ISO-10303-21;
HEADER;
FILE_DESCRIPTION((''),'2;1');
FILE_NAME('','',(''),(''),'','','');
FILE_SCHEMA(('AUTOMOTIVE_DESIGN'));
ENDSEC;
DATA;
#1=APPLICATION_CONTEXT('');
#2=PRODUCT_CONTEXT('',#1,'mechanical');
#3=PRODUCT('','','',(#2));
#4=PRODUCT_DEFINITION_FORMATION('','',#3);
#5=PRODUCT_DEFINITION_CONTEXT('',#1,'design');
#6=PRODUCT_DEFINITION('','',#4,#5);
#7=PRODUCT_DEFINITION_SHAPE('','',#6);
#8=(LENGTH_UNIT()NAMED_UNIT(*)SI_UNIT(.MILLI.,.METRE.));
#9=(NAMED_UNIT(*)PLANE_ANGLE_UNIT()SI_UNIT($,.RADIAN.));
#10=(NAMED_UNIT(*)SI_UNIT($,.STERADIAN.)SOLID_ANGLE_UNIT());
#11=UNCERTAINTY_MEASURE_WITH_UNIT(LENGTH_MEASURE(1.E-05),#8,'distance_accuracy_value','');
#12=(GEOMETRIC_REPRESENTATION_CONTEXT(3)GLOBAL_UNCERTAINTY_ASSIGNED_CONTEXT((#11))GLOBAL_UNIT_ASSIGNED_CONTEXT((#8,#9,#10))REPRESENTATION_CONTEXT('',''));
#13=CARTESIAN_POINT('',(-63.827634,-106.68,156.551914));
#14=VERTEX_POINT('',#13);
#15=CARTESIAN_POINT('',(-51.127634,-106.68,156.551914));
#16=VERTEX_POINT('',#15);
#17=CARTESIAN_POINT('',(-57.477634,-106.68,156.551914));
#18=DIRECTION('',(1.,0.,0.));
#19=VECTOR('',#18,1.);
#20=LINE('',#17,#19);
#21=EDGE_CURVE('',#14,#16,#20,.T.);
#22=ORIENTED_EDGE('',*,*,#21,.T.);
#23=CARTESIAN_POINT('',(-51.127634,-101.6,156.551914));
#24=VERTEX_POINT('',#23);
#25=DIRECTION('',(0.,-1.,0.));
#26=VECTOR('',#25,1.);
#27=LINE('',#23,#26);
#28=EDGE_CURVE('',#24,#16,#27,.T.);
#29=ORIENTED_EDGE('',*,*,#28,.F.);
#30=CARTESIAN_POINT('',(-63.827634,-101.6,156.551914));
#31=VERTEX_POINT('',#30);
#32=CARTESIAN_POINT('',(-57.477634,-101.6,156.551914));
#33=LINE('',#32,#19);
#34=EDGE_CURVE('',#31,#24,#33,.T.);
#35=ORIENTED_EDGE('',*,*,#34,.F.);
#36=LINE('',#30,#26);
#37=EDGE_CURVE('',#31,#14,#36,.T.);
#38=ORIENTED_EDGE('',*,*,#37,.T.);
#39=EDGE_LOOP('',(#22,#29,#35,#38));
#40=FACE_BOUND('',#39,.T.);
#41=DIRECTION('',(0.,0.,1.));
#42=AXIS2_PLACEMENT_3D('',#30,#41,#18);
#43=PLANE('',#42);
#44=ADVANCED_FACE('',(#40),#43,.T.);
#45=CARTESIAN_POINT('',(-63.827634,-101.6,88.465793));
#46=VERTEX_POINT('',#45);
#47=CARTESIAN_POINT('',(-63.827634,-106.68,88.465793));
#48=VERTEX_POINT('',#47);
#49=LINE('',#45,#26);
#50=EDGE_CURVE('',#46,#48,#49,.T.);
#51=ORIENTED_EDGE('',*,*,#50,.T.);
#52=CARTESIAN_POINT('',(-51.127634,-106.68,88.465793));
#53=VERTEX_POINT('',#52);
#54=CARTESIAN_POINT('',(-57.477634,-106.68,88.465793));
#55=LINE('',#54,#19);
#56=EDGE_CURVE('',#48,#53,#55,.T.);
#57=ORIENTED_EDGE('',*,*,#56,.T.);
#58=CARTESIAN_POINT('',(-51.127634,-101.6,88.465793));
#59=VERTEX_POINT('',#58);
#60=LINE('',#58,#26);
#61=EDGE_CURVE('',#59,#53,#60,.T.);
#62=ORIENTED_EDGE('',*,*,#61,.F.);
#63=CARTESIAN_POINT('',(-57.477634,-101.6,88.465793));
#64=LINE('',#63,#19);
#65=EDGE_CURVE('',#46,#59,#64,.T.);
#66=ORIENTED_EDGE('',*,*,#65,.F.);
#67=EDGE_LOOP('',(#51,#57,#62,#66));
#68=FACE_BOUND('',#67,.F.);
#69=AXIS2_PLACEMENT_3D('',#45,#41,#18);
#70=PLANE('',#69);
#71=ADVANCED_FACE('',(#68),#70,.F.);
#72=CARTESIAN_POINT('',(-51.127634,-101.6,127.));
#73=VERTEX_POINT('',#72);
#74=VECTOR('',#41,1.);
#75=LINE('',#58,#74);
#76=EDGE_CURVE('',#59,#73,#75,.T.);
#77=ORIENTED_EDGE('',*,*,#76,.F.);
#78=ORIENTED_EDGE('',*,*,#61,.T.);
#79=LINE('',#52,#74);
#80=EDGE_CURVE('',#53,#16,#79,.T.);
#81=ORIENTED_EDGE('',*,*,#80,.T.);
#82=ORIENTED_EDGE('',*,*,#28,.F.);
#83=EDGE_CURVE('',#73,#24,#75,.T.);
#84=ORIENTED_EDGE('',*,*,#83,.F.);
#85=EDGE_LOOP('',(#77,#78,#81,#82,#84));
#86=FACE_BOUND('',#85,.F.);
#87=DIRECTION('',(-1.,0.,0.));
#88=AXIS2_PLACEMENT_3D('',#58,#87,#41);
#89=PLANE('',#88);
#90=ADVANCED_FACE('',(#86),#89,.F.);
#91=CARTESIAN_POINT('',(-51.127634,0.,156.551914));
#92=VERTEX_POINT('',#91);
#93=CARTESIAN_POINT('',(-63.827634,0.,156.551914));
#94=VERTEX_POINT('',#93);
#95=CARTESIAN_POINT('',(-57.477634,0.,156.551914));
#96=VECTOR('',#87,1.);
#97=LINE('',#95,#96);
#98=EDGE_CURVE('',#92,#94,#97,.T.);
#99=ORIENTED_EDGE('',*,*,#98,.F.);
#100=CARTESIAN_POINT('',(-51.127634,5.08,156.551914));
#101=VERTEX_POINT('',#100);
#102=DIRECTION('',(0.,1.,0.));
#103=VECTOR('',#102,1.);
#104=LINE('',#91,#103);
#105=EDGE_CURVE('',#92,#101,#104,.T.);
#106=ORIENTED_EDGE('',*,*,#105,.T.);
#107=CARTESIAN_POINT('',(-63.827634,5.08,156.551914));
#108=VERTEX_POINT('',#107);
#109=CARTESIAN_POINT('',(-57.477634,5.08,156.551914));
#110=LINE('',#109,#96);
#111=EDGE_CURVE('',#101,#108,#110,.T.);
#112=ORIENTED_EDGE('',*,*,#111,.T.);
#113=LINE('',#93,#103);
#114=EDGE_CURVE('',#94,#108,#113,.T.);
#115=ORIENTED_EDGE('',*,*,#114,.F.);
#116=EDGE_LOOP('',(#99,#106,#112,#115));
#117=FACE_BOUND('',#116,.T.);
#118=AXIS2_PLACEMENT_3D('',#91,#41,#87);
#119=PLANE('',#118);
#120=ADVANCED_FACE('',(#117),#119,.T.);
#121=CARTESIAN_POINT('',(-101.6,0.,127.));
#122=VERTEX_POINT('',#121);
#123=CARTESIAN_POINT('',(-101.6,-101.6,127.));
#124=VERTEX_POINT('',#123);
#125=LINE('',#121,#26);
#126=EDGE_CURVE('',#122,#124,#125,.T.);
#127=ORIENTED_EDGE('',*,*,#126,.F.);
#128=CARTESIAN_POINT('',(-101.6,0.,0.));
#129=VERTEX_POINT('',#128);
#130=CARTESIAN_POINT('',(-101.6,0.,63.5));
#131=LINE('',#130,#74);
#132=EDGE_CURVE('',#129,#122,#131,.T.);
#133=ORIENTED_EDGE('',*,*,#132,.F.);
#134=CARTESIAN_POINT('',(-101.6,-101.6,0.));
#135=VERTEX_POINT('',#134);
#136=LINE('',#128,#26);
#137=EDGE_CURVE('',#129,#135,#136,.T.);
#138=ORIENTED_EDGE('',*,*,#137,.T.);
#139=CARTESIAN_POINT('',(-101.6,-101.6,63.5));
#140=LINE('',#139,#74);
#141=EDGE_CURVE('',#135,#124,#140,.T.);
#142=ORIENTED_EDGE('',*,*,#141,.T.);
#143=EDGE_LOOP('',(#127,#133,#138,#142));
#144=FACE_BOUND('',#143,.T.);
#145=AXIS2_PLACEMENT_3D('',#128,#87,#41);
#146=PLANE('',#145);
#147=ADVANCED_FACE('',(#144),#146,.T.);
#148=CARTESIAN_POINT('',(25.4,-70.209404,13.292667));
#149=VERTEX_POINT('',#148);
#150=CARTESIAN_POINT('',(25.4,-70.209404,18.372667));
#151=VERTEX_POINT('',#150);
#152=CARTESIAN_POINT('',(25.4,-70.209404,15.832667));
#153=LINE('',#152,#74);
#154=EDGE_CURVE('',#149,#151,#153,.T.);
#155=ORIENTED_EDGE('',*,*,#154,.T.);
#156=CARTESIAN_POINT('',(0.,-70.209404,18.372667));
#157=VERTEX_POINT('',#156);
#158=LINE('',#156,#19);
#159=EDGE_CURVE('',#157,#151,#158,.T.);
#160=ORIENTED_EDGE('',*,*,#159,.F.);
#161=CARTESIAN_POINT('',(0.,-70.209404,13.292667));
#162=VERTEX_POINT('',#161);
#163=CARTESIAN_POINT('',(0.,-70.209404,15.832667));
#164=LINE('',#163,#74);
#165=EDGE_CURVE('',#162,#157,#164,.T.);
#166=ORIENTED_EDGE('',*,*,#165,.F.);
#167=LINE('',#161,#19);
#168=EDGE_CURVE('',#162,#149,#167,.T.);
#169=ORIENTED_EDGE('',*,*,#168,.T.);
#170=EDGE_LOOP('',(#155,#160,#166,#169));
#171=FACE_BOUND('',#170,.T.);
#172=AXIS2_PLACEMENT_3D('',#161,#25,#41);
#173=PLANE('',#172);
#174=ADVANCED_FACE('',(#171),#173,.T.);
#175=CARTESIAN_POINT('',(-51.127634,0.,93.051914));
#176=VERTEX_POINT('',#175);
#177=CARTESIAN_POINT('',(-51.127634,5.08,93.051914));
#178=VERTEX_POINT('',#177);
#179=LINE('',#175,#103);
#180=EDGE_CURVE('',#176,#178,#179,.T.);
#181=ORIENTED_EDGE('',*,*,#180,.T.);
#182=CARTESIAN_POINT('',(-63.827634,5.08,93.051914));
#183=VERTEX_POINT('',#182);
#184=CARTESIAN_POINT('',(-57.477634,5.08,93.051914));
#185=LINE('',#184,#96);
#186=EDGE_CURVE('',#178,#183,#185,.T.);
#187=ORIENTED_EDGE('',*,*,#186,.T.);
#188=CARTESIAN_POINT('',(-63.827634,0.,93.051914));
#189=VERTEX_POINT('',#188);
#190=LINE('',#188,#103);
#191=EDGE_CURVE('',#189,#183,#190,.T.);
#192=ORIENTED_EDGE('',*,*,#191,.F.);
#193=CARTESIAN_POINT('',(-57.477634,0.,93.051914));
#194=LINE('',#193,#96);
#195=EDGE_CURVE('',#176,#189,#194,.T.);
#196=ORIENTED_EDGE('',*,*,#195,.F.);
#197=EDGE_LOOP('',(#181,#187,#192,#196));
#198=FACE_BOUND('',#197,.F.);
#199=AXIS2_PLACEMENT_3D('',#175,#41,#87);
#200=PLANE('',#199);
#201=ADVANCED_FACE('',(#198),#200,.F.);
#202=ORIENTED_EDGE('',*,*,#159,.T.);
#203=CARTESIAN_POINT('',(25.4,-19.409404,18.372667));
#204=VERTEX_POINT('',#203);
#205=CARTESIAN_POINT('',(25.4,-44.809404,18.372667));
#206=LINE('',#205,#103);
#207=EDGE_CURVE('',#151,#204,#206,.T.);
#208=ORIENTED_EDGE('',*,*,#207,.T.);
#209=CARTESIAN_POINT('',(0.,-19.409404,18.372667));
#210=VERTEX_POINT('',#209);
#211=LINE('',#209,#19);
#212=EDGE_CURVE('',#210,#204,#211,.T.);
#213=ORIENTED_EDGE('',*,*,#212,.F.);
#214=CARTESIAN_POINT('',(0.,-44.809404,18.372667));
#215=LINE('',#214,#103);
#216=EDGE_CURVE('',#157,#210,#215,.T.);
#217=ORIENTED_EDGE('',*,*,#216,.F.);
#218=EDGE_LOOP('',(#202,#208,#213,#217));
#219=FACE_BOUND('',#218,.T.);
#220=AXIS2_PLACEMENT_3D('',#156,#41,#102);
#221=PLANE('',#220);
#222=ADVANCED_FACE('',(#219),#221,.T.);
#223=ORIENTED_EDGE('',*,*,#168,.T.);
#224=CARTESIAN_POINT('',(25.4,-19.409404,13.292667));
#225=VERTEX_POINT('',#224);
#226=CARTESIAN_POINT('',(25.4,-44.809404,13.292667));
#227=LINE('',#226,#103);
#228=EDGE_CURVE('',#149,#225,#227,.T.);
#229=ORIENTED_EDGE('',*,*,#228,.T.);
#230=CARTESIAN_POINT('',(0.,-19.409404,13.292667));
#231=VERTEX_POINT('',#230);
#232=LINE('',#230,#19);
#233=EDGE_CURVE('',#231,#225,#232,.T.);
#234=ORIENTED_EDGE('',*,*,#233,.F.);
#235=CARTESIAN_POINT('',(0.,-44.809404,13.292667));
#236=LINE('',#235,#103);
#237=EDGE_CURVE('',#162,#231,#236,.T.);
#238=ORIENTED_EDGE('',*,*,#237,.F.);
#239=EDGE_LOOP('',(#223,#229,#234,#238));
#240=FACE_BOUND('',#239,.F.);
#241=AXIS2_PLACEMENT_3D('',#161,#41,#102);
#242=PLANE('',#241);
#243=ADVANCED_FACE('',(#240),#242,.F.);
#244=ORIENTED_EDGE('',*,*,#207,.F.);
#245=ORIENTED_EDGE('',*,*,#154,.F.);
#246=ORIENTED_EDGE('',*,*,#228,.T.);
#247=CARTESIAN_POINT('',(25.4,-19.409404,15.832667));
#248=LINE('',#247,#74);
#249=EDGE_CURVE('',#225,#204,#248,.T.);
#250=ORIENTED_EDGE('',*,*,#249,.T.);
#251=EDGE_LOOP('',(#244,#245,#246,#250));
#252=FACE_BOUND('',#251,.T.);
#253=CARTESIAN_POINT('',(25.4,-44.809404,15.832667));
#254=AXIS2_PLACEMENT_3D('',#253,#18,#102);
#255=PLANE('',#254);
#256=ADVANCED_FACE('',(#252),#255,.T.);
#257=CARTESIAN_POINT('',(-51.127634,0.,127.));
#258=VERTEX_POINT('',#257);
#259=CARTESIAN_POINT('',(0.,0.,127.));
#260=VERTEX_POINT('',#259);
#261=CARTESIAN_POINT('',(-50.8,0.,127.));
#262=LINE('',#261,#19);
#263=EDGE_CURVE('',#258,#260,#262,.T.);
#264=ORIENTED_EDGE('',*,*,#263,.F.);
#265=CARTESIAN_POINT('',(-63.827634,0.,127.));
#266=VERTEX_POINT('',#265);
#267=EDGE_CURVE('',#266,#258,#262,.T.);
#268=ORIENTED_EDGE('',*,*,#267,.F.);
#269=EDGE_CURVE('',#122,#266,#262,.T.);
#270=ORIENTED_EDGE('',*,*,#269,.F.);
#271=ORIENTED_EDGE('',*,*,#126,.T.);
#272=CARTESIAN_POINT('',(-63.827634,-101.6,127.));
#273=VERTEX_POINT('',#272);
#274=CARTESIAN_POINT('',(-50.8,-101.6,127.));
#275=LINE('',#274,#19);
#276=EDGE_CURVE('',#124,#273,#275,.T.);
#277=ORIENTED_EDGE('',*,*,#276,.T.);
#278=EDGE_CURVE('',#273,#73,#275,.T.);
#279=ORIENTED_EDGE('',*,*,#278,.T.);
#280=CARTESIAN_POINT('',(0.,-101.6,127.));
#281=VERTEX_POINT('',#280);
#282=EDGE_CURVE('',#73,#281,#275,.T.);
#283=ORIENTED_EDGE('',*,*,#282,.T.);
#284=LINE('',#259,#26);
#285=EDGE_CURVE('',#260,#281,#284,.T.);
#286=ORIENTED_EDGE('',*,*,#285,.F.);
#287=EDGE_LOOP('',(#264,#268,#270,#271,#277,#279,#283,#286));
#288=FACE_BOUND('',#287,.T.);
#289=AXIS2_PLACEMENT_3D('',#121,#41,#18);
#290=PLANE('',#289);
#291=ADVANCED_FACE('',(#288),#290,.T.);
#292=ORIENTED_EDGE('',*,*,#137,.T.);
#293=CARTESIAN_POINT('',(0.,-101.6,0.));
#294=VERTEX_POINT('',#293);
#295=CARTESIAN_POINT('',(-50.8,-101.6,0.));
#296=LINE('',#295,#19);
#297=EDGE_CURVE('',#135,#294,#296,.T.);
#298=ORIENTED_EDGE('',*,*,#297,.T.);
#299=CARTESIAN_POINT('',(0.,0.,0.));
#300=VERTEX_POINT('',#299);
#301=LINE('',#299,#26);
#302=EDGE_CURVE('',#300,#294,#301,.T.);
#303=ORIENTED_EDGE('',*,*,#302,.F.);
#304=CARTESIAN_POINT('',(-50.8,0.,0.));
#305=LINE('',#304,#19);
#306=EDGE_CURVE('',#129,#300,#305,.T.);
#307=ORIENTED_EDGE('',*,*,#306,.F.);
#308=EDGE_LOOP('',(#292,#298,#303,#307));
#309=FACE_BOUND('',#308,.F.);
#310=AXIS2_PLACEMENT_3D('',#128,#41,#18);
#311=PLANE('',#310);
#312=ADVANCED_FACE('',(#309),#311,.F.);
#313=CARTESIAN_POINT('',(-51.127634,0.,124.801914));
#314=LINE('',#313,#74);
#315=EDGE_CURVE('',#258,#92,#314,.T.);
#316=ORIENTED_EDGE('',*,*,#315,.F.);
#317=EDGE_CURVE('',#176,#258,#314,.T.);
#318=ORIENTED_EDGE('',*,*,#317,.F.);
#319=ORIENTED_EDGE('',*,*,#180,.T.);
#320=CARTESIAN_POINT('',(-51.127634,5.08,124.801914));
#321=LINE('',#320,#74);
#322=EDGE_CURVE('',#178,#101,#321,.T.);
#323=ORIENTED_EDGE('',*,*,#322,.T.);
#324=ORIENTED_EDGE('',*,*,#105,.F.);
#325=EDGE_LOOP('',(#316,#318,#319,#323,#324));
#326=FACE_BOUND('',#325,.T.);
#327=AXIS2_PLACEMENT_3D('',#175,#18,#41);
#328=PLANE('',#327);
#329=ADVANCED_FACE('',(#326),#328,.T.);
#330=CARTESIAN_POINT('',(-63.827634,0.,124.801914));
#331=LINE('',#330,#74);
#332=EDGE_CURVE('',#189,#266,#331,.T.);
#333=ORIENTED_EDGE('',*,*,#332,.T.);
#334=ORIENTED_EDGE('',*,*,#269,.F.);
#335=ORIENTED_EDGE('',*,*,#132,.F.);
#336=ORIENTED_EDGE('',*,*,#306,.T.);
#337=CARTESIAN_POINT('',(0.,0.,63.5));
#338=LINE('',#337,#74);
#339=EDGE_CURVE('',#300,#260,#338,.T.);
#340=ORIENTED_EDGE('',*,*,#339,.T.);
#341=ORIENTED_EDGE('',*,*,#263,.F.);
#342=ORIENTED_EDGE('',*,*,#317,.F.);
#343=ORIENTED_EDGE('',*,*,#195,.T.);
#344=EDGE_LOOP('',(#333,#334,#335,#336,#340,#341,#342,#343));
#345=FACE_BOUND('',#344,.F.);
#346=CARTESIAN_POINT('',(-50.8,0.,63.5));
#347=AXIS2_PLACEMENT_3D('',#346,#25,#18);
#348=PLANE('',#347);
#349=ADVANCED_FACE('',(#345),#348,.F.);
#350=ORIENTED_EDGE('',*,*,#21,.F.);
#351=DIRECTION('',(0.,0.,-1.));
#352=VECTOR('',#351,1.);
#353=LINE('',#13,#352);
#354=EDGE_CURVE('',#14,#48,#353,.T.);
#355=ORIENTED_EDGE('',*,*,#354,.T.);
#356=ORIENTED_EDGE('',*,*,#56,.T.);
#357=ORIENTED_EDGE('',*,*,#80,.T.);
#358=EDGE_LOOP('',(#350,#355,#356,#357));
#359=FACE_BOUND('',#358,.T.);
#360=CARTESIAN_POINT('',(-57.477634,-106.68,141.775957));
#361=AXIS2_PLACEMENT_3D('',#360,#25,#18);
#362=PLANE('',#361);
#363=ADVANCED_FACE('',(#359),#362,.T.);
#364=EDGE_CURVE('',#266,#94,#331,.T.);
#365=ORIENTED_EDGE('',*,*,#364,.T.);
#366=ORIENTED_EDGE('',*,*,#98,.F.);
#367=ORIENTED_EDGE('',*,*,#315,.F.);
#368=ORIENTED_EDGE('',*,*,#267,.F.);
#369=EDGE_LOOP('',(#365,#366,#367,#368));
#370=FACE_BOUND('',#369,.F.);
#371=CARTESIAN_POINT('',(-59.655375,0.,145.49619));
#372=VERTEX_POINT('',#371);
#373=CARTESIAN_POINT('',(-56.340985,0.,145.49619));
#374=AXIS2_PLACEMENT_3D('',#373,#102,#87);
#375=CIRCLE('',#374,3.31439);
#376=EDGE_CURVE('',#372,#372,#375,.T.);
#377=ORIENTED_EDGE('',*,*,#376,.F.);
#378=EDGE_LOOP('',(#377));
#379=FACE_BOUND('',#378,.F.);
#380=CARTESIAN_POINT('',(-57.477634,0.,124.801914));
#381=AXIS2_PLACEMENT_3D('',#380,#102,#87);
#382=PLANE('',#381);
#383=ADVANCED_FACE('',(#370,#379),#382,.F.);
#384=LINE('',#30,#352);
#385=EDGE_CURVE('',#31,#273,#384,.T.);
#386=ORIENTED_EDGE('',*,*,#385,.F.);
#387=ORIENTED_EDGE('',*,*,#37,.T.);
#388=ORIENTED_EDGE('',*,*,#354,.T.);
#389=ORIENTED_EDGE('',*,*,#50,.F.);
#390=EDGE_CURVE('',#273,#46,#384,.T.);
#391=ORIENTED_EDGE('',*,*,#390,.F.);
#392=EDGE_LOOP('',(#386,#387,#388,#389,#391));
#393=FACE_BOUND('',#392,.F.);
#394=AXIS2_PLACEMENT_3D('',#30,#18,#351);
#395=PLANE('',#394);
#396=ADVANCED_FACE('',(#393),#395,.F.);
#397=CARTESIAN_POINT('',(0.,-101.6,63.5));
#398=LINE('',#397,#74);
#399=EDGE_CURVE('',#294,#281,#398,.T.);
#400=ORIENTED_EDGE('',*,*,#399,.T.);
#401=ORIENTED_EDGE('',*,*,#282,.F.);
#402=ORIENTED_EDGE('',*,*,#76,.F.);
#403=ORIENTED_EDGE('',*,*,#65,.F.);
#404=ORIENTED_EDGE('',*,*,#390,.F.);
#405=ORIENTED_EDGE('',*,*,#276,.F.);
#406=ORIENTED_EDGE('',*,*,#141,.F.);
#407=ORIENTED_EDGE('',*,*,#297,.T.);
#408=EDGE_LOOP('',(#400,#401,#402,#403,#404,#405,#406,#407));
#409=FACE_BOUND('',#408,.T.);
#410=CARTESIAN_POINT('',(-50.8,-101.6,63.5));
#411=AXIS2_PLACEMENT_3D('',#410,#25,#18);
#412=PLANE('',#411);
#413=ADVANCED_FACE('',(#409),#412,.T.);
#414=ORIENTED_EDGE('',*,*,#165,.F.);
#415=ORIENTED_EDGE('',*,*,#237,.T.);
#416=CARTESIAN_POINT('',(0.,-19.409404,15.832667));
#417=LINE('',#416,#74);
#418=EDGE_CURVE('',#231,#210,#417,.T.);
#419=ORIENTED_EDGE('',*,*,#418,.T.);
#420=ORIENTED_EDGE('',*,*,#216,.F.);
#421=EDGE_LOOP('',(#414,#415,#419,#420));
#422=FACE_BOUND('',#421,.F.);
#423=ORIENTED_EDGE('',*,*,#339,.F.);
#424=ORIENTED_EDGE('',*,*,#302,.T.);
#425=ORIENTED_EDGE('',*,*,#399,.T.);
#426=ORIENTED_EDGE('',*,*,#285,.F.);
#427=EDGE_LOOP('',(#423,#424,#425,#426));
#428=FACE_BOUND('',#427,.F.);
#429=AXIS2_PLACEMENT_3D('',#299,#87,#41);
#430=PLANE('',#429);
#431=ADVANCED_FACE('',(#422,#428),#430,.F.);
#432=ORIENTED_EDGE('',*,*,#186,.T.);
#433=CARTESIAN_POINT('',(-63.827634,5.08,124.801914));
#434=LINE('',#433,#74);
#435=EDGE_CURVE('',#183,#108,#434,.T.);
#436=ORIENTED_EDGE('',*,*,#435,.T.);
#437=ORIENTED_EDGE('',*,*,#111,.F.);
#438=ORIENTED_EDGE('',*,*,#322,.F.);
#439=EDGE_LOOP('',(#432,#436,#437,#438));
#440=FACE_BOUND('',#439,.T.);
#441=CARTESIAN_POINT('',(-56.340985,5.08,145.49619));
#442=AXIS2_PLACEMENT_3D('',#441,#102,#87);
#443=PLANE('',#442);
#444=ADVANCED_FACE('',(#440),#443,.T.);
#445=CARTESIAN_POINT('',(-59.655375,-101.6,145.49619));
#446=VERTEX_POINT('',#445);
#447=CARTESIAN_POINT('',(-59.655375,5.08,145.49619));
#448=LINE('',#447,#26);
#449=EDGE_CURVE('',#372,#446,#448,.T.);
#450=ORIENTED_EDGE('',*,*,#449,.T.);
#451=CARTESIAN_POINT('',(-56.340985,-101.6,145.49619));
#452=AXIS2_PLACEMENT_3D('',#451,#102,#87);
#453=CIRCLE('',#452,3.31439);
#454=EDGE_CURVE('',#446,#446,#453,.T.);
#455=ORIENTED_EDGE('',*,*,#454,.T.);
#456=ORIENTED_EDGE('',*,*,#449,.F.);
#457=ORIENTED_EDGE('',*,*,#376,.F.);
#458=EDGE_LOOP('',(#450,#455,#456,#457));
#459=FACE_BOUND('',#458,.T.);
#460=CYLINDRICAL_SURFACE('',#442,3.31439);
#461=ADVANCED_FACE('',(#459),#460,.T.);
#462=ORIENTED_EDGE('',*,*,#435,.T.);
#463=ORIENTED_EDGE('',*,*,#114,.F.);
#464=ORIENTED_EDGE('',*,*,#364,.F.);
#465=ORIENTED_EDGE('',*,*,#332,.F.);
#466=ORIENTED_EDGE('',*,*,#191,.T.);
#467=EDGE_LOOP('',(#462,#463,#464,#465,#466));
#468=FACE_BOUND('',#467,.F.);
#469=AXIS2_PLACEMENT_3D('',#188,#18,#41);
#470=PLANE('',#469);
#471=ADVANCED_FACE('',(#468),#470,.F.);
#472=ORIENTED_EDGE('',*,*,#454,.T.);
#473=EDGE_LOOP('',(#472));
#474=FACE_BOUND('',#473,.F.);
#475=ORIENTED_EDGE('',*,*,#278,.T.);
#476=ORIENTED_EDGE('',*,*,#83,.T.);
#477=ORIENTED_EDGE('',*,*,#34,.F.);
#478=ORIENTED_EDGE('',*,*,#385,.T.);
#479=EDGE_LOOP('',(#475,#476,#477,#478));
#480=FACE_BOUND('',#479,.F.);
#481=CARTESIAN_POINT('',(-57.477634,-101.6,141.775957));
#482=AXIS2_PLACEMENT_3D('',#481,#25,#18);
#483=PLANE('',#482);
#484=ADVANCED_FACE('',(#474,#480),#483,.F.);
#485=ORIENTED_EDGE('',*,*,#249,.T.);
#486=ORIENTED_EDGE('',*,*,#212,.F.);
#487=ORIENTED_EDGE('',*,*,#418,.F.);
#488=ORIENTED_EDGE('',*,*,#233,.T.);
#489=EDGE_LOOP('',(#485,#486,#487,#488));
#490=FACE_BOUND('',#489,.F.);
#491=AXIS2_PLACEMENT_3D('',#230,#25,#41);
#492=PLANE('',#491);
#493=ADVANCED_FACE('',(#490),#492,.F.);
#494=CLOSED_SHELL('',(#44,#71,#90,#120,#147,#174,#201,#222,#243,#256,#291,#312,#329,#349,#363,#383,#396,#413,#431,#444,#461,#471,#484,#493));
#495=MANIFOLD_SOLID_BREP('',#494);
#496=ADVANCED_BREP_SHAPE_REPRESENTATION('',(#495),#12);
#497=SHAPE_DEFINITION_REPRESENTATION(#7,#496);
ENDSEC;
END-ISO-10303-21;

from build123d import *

# Parameters (mm, degrees)
F0_W     = 101.6
F0_H     = 127
F1_DEPTH = 101.6
F2_W     = 50.8
F2_H     = 5.08
F3_DEPTH = 25.4
F4_W     = 12.7
F4_H     = 29.5519137372
F4_H_2   = 38.5342074425
F5_DEPTH = 5.08
F6_W     = 12.7
F6_H     = 63.5
F7_DEPTH = 5.08
F8_R     = 3.3143898489
F9_DEPTH = 109.22


with BuildPart() as f1:
    # F0 (on Front) → F1 (new body)
    with BuildSketch(Plane.XZ):
        with Locations((-50.8, 63.5)):
            Rectangle(F0_W, F0_H)
    extrude(amount=F1_DEPTH)

    # F2 (on face) → F3 (join)
    with BuildSketch(Plane.YZ):
        with Locations((-44.8094035365, 15.8326673792)):
            Rectangle(F2_W, F2_H)
    extrude(amount=F3_DEPTH)

    # F4 (on face) → F5 (join)
    with BuildSketch(Plane.XZ.offset(101.6)):
        with Locations((-57.4776338577, 141.7759568686)):
            Rectangle(F4_W, F4_H)
        with Locations((-57.4776338577, 107.7328962787)):
            Rectangle(F4_W, F4_H_2)
    extrude(amount=F5_DEPTH)

    # F6 (on face) → F7 (join)
    with BuildSketch(Plane(origin=(0, 0, 0), x_dir=(-1, 0, 0), z_dir=(0, 1, 0))):
        with Locations((57.4776338577, 124.8019137372)):
            Rectangle(F6_W, F6_H)
    extrude(amount=F7_DEPTH)

    # F8 (on face) → F9 (join)
    with BuildSketch(Plane(origin=(0, 5.08, 0), x_dir=(-1, 0, 0), z_dir=(0, 1, 0))):
        with Locations((56.3409850001, 145.4961895943)):
            Circle(F8_R)
    extrude(amount=-F9_DEPTH)


solid = f1.part
